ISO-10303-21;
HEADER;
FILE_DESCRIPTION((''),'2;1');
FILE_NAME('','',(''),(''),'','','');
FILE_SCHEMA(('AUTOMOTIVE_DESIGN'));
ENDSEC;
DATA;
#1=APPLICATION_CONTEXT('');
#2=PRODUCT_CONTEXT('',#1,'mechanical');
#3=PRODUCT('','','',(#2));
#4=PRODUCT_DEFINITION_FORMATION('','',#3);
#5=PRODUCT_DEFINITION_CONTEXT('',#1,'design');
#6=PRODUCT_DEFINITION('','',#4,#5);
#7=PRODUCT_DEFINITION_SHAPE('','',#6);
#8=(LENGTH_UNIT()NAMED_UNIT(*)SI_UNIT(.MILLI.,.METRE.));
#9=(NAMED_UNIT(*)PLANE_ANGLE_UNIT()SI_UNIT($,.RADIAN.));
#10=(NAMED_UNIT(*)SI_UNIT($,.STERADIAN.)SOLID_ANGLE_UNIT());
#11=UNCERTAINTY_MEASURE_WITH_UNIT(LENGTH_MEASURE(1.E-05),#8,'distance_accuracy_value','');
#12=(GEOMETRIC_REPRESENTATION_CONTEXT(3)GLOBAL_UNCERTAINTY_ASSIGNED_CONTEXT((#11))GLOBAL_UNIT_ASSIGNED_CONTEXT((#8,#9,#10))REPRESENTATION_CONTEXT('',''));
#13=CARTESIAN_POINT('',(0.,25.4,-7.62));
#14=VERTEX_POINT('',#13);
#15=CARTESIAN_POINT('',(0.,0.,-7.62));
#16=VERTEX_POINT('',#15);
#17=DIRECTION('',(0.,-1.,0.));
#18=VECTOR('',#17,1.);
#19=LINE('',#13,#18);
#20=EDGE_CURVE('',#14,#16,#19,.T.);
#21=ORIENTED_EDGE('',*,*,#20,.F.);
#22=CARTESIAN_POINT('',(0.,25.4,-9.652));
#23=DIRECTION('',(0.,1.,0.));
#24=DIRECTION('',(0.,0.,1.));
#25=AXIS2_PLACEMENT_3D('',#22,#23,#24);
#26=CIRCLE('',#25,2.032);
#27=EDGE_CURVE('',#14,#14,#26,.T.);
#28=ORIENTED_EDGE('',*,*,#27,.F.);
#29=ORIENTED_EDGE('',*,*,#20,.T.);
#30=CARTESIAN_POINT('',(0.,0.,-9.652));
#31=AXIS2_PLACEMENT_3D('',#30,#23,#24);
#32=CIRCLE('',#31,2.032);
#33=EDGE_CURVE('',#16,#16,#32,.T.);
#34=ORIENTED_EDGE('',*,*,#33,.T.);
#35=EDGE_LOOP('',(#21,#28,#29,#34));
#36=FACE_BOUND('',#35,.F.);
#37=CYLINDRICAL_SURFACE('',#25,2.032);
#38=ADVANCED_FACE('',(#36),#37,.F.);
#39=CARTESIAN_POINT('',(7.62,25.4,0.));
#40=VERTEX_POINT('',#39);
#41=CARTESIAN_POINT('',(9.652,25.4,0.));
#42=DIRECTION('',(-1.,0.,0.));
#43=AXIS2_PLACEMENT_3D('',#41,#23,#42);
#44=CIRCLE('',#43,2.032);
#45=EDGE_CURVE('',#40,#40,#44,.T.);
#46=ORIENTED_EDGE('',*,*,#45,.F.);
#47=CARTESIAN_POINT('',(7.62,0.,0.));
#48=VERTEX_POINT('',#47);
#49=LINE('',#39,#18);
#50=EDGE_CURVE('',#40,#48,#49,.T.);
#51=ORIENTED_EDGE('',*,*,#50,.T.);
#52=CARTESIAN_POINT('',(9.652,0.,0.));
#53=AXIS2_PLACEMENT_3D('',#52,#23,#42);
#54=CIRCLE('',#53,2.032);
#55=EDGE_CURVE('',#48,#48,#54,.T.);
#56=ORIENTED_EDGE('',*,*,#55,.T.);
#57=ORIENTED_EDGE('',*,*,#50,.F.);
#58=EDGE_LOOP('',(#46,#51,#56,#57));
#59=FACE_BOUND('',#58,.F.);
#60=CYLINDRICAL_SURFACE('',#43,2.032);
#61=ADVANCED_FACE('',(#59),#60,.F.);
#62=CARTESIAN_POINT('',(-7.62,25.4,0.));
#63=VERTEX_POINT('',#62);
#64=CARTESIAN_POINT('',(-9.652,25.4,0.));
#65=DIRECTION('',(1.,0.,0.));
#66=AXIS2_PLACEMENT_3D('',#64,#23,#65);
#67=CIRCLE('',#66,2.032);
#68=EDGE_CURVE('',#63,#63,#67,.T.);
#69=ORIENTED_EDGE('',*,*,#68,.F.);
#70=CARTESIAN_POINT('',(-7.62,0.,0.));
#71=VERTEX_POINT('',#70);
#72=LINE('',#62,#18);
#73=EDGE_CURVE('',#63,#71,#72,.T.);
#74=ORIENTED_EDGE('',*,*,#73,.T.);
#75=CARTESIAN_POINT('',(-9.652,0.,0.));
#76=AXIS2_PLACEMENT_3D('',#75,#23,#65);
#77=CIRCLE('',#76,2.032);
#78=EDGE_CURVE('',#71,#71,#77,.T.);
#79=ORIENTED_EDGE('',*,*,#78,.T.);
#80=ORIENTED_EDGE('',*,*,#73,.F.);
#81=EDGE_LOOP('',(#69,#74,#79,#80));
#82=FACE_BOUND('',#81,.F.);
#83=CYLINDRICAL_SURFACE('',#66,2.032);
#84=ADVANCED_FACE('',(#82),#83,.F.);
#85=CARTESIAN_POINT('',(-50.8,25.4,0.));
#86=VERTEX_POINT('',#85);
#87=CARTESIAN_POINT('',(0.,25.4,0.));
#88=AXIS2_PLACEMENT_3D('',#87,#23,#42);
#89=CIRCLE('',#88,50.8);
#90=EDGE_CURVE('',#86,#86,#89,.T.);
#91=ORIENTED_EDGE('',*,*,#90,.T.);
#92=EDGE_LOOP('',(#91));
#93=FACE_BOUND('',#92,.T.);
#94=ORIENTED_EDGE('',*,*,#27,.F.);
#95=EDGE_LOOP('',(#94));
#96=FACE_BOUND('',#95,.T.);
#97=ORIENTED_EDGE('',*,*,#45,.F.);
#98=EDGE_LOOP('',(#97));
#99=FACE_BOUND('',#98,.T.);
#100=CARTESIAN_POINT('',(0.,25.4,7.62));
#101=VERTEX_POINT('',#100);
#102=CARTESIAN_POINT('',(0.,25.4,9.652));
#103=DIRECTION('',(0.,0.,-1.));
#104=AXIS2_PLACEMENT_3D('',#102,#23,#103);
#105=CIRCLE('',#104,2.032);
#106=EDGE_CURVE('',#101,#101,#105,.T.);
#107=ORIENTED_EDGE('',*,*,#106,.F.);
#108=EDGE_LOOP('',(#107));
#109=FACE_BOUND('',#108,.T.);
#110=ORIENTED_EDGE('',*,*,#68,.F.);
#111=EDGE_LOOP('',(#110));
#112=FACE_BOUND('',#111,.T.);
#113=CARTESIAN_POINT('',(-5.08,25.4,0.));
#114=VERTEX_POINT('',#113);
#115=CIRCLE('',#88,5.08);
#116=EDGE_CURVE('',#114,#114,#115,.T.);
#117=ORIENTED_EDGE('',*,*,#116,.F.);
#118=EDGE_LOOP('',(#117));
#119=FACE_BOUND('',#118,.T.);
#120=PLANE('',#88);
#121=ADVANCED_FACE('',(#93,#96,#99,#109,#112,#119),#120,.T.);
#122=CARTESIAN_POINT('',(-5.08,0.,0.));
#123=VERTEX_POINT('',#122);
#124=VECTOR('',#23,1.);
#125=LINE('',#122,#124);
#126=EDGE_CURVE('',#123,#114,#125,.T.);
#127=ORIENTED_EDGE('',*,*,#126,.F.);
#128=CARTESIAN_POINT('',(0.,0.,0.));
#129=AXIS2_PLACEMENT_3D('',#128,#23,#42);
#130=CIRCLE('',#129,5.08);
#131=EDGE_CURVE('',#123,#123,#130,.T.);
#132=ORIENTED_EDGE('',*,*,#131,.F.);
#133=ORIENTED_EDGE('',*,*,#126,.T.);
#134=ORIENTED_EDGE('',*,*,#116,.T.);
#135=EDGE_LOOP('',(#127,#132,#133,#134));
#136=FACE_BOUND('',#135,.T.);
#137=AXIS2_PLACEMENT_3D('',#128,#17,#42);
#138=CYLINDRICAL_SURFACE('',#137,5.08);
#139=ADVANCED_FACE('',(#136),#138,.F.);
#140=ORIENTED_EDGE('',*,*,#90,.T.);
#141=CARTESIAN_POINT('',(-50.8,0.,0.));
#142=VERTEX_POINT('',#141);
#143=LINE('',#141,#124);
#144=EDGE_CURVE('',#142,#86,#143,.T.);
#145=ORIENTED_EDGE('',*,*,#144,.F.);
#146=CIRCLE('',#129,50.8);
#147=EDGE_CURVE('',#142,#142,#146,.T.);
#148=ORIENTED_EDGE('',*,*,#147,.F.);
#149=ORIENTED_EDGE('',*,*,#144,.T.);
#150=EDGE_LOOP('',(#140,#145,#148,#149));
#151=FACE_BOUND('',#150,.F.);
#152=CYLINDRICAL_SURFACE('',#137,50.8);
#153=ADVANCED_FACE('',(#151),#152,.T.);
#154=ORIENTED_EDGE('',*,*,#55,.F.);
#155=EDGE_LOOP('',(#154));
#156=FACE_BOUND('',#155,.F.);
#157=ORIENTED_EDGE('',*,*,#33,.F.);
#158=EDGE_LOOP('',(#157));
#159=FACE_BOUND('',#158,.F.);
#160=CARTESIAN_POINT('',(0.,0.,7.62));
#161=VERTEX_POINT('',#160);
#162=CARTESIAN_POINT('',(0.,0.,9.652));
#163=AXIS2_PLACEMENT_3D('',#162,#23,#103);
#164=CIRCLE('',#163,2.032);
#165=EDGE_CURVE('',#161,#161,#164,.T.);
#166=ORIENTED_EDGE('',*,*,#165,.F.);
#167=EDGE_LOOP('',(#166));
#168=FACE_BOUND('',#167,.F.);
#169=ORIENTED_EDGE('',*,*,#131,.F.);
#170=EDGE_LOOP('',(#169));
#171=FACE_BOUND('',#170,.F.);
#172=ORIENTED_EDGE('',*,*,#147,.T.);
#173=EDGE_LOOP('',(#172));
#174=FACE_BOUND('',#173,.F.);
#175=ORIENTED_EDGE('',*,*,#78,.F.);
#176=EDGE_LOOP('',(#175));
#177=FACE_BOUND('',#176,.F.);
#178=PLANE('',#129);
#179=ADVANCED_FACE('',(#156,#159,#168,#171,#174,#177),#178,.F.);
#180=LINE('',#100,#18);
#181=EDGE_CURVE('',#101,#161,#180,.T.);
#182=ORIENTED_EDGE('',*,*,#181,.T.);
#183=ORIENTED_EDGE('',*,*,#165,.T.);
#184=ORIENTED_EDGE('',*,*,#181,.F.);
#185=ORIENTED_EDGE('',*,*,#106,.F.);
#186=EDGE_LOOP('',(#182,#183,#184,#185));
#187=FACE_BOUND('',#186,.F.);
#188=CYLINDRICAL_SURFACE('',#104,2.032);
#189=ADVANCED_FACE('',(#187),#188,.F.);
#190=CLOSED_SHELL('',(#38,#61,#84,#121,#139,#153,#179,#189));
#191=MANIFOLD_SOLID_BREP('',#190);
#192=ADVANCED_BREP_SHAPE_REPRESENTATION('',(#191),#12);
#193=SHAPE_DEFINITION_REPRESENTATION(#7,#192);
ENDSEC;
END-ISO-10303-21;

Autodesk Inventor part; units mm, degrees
ref_plane "YZ Plane" through (0, 0, 0) normal (1, 0, 0) x (0, 1, 0)
ref_plane "XZ Plane" through (0, 0, 0) normal (0, 1, 0) x (-1, 0, 0)
ref_plane "XY Plane" through (0, 0, 0) normal (0, 0, 1) x (1, 0, 0)
sketch "Sketch1" plane through (0, 0, 0) normal (0, 1, 0) x (-1, 0, 0)
  circle A0 centre (0, 0) radius 50.8
  circle A1 centre (0, 0) radius 5.08
  dimension "d0" = 101.6
  dimension "d1" = 10.16
extrude "Extrusion1" add sketch "Sketch1" along normal blind 25.4
sketch "Sketch2" plane through (0, 25.4, 0) normal (0, 1, 0) x (1, 0, 0)
  circle A0 centre (0, 0) radius 5.08 projected
  line L0 (-5.08, 0) -> (-9.652, 0)
  circle A1 centre (-9.652, 0) radius 2.032
  dimension "d4" = 4.572
  dimension "d5" = 4.064
extrude "Extrusion2" cut sketch "Sketch2" against normal blind 25.4 contours A1
sketch "Sketch3" plane through (0, 25.4, 0) normal (0, 1, 0) x (1, 0, 0)
  point P0 (0, 0)
  point P1 (0, 0)
pattern_circular "Circular Pattern1" count 4 over 360 about axis through (0, 25.4, 0) along (0, 1, 0) of "Extrusion2"
properties part number "w"
